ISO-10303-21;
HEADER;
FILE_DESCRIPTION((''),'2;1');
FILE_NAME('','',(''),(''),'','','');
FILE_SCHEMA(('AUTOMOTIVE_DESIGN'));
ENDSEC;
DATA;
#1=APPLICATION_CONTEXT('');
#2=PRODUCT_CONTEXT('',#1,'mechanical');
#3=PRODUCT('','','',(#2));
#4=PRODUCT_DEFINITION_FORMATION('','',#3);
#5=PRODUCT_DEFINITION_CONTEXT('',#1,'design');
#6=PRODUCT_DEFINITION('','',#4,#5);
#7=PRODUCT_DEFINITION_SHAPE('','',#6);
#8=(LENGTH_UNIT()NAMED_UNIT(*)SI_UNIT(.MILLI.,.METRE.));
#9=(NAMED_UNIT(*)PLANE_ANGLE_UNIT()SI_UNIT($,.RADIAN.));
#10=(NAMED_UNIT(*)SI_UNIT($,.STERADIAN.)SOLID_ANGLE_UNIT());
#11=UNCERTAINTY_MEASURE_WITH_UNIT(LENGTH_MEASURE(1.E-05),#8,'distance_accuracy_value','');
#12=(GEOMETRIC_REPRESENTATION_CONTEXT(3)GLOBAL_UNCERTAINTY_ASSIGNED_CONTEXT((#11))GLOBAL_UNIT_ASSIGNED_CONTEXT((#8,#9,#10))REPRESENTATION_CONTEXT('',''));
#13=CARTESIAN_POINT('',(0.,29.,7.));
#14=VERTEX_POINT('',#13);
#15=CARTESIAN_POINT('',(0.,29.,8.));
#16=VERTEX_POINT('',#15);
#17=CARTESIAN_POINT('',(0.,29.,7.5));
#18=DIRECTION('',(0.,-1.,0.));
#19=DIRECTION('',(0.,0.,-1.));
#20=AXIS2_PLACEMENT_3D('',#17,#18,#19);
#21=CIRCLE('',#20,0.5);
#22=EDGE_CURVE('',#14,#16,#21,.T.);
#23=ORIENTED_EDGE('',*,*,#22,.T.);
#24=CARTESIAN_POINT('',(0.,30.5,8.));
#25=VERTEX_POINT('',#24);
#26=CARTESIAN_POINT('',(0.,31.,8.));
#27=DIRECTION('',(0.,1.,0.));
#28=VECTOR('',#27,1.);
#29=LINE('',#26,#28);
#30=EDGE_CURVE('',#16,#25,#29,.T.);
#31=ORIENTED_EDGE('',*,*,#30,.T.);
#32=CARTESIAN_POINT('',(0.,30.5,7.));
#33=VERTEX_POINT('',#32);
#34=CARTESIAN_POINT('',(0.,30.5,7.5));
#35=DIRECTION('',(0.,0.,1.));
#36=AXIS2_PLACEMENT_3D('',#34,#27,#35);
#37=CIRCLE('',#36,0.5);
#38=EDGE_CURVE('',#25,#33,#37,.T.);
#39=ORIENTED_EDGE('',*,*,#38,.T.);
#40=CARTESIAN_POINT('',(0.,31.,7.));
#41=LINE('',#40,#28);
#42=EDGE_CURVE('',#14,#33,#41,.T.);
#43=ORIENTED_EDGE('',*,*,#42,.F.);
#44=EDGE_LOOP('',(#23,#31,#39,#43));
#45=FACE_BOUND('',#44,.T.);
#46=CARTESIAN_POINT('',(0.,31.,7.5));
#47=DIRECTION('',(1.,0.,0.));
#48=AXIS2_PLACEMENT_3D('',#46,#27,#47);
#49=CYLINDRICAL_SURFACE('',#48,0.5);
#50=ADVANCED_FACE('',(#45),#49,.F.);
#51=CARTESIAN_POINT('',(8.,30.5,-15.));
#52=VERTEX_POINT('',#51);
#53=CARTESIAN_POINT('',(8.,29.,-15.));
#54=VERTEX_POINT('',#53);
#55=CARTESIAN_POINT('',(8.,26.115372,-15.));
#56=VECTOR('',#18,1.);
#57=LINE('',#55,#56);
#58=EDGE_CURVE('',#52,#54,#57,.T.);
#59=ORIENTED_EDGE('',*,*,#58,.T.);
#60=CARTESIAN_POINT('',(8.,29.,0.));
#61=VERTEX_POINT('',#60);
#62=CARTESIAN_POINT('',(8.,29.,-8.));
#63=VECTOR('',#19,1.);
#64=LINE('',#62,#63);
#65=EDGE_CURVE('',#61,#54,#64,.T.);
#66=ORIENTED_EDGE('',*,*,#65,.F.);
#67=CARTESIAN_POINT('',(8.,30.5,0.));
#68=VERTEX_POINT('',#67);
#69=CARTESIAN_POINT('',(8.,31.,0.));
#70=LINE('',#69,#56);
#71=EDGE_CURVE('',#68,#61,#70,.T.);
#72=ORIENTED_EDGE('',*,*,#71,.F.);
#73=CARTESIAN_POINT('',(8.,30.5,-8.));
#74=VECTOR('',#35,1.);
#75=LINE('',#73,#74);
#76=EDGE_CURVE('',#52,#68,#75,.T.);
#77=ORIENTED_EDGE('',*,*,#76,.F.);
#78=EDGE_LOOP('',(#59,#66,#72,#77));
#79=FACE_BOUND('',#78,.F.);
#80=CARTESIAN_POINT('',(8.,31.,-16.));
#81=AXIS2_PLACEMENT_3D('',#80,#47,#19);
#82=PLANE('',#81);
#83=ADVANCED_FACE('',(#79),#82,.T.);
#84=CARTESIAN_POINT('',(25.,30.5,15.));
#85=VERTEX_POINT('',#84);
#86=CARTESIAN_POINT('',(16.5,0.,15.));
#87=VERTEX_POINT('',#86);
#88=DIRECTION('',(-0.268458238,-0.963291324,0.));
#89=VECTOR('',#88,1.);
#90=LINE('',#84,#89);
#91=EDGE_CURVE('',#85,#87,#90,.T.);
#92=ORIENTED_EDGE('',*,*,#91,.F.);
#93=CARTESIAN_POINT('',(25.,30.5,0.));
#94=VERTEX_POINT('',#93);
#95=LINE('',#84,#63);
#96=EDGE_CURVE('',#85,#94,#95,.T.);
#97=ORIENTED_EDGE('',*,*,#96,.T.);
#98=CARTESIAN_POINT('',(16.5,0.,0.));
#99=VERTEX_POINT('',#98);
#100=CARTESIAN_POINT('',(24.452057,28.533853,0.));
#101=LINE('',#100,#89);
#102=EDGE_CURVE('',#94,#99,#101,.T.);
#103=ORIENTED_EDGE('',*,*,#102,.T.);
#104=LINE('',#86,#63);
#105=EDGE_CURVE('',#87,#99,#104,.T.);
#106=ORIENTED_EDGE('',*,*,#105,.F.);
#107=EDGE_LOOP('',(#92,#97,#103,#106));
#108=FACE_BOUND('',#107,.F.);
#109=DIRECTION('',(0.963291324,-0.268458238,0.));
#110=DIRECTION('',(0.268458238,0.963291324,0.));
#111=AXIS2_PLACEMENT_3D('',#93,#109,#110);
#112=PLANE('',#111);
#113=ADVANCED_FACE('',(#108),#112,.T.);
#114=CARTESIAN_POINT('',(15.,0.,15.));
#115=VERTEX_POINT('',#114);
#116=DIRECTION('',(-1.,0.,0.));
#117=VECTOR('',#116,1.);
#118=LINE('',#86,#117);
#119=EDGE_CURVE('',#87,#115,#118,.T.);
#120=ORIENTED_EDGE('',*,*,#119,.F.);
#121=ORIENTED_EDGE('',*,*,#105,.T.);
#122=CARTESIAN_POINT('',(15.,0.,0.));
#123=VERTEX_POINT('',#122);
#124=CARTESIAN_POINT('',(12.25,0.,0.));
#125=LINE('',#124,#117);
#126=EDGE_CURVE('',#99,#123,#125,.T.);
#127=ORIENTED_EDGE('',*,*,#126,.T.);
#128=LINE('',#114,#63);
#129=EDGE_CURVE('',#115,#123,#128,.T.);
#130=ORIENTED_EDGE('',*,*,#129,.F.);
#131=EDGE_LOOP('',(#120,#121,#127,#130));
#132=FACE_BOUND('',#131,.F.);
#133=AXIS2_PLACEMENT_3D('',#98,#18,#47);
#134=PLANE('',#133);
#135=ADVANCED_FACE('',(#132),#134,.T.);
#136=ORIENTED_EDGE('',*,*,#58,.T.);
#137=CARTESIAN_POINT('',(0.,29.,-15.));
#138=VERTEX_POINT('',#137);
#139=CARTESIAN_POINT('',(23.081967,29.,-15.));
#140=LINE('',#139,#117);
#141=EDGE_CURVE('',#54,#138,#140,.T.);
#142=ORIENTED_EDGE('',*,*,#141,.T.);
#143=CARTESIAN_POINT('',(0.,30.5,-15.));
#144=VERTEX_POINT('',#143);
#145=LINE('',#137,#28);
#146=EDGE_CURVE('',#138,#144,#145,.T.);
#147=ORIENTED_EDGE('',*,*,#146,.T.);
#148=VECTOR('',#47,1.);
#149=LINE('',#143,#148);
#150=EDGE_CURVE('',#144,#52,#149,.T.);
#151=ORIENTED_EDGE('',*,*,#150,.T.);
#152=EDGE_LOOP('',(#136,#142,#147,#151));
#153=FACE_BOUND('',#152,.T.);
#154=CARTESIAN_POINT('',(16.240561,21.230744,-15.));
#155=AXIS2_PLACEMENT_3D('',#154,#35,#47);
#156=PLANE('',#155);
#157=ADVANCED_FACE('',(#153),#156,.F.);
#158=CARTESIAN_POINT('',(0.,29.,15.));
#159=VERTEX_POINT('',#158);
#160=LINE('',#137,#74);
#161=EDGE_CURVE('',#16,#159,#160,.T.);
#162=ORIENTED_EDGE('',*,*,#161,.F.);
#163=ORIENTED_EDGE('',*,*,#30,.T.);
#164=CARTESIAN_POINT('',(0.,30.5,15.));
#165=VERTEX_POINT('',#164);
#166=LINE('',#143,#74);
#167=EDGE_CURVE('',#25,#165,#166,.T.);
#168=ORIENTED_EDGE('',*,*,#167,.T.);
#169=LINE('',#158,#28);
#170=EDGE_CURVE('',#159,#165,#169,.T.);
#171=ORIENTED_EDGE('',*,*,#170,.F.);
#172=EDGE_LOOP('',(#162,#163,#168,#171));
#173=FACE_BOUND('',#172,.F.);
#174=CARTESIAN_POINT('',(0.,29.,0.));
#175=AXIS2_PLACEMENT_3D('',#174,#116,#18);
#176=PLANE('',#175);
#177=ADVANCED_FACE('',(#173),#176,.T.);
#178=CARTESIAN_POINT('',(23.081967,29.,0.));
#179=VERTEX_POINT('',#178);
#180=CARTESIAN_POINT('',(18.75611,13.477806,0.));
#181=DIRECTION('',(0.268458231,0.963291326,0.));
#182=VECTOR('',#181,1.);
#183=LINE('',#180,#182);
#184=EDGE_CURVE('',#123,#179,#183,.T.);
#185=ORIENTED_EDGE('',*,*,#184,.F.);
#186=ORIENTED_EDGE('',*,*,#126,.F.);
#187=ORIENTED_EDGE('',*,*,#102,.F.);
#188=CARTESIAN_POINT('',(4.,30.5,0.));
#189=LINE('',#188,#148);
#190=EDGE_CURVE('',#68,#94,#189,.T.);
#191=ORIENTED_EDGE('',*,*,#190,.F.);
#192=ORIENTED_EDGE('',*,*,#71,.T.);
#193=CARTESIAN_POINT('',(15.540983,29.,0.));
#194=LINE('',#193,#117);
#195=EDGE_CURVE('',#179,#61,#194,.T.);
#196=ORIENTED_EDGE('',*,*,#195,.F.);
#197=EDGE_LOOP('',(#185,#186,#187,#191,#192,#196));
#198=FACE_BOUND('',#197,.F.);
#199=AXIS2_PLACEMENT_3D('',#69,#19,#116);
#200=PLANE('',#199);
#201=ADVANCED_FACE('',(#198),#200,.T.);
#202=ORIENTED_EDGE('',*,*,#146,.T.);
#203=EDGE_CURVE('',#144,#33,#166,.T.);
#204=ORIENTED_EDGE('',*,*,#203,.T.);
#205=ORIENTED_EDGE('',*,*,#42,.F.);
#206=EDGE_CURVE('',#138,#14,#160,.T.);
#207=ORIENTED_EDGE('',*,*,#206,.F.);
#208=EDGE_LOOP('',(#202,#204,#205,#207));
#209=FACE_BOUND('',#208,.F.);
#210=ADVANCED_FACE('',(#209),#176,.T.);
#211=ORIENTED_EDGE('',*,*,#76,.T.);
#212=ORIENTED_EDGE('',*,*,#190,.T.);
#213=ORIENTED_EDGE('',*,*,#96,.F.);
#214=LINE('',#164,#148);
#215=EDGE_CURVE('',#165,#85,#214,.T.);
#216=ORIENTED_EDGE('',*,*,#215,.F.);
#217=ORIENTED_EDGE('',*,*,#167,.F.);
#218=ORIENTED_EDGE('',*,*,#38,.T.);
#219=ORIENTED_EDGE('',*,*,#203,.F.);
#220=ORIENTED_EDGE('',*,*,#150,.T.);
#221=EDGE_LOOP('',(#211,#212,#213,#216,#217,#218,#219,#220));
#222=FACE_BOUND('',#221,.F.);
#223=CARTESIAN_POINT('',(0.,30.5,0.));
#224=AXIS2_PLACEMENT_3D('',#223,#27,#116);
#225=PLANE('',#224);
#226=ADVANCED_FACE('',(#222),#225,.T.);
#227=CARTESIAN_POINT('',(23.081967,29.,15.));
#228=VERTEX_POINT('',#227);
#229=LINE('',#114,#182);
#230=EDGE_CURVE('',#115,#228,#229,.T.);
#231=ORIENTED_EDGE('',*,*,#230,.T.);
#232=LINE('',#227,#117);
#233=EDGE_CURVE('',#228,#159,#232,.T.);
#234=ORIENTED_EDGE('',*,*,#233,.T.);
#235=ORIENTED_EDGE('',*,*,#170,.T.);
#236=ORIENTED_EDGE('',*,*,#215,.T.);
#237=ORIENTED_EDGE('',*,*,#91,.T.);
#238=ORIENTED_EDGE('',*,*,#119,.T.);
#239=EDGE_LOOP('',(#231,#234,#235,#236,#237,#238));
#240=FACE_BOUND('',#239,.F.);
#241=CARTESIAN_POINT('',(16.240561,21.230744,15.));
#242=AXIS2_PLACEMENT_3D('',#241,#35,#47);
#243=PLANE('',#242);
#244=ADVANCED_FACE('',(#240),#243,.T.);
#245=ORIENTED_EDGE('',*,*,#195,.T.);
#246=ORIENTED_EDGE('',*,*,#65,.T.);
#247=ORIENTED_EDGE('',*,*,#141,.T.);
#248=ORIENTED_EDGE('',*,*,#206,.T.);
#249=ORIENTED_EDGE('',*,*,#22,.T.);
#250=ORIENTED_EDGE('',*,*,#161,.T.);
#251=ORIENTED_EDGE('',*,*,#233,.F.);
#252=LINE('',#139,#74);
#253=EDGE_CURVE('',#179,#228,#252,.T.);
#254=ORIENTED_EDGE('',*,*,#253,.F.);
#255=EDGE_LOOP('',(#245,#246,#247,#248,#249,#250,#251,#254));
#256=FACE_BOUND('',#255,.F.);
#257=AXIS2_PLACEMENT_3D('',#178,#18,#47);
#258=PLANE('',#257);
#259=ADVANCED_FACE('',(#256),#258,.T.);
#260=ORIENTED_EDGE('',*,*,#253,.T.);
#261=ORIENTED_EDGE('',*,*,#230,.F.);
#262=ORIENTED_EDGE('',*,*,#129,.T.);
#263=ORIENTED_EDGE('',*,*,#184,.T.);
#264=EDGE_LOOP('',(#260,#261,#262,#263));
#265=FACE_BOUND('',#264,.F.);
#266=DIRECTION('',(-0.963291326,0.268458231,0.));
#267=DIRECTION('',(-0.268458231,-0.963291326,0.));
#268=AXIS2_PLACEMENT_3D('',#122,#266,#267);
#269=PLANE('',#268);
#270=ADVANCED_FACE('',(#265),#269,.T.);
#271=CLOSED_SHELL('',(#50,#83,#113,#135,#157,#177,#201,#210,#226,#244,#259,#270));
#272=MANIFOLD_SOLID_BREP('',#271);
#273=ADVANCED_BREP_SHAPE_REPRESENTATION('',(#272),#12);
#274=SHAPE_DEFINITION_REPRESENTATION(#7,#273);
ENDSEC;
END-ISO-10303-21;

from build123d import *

# Parameters (mm, degrees)
SKETCH005_R      = 0.5
SKETCH005_W      = 18
SKETCH005_H      = 16
EXTRUDE005_DEPTH = 32
EXTRUDE003_DEPTH = 15


with BuildPart() as extrude005:
    # Sketch005 → Extrude005 (new body)
    with BuildSketch(Plane(origin=(0, 31, 0), x_dir=(-1, 0, 0), z_dir=(0, 1, 0))):
        with Locations((0, 7.5)):
            Circle(SKETCH005_R)
        with Locations((17, -8)):
            Rectangle(SKETCH005_W, SKETCH005_H)
    extrude(amount=-EXTRUDE005_DEPTH)


with BuildPart() as body003:
    # Sketch003 → Extrude003 (new body, symmetric)
    with BuildSketch(Plane.XY):
        Polygon((-15, 0), (-23.081967, 29), (0, 29), (0, 30.5), (-25, 30.5), (-16.5, 0), align=None)
    extrude(amount=EXTRUDE003_DEPTH, both=True)

    # Cut001: cut Extrude005
    add(extrude005.part, mode=Mode.SUBTRACT)


with BuildPart() as part_mirroring001:
    # Part__Mirroring001: instance of Body003
    add(body003.part.mirror(Plane(origin=(0, 0, 0), x_dir=(0, -1, 0), z_dir=(1, 0, 0))))


solid = part_mirroring001.part
